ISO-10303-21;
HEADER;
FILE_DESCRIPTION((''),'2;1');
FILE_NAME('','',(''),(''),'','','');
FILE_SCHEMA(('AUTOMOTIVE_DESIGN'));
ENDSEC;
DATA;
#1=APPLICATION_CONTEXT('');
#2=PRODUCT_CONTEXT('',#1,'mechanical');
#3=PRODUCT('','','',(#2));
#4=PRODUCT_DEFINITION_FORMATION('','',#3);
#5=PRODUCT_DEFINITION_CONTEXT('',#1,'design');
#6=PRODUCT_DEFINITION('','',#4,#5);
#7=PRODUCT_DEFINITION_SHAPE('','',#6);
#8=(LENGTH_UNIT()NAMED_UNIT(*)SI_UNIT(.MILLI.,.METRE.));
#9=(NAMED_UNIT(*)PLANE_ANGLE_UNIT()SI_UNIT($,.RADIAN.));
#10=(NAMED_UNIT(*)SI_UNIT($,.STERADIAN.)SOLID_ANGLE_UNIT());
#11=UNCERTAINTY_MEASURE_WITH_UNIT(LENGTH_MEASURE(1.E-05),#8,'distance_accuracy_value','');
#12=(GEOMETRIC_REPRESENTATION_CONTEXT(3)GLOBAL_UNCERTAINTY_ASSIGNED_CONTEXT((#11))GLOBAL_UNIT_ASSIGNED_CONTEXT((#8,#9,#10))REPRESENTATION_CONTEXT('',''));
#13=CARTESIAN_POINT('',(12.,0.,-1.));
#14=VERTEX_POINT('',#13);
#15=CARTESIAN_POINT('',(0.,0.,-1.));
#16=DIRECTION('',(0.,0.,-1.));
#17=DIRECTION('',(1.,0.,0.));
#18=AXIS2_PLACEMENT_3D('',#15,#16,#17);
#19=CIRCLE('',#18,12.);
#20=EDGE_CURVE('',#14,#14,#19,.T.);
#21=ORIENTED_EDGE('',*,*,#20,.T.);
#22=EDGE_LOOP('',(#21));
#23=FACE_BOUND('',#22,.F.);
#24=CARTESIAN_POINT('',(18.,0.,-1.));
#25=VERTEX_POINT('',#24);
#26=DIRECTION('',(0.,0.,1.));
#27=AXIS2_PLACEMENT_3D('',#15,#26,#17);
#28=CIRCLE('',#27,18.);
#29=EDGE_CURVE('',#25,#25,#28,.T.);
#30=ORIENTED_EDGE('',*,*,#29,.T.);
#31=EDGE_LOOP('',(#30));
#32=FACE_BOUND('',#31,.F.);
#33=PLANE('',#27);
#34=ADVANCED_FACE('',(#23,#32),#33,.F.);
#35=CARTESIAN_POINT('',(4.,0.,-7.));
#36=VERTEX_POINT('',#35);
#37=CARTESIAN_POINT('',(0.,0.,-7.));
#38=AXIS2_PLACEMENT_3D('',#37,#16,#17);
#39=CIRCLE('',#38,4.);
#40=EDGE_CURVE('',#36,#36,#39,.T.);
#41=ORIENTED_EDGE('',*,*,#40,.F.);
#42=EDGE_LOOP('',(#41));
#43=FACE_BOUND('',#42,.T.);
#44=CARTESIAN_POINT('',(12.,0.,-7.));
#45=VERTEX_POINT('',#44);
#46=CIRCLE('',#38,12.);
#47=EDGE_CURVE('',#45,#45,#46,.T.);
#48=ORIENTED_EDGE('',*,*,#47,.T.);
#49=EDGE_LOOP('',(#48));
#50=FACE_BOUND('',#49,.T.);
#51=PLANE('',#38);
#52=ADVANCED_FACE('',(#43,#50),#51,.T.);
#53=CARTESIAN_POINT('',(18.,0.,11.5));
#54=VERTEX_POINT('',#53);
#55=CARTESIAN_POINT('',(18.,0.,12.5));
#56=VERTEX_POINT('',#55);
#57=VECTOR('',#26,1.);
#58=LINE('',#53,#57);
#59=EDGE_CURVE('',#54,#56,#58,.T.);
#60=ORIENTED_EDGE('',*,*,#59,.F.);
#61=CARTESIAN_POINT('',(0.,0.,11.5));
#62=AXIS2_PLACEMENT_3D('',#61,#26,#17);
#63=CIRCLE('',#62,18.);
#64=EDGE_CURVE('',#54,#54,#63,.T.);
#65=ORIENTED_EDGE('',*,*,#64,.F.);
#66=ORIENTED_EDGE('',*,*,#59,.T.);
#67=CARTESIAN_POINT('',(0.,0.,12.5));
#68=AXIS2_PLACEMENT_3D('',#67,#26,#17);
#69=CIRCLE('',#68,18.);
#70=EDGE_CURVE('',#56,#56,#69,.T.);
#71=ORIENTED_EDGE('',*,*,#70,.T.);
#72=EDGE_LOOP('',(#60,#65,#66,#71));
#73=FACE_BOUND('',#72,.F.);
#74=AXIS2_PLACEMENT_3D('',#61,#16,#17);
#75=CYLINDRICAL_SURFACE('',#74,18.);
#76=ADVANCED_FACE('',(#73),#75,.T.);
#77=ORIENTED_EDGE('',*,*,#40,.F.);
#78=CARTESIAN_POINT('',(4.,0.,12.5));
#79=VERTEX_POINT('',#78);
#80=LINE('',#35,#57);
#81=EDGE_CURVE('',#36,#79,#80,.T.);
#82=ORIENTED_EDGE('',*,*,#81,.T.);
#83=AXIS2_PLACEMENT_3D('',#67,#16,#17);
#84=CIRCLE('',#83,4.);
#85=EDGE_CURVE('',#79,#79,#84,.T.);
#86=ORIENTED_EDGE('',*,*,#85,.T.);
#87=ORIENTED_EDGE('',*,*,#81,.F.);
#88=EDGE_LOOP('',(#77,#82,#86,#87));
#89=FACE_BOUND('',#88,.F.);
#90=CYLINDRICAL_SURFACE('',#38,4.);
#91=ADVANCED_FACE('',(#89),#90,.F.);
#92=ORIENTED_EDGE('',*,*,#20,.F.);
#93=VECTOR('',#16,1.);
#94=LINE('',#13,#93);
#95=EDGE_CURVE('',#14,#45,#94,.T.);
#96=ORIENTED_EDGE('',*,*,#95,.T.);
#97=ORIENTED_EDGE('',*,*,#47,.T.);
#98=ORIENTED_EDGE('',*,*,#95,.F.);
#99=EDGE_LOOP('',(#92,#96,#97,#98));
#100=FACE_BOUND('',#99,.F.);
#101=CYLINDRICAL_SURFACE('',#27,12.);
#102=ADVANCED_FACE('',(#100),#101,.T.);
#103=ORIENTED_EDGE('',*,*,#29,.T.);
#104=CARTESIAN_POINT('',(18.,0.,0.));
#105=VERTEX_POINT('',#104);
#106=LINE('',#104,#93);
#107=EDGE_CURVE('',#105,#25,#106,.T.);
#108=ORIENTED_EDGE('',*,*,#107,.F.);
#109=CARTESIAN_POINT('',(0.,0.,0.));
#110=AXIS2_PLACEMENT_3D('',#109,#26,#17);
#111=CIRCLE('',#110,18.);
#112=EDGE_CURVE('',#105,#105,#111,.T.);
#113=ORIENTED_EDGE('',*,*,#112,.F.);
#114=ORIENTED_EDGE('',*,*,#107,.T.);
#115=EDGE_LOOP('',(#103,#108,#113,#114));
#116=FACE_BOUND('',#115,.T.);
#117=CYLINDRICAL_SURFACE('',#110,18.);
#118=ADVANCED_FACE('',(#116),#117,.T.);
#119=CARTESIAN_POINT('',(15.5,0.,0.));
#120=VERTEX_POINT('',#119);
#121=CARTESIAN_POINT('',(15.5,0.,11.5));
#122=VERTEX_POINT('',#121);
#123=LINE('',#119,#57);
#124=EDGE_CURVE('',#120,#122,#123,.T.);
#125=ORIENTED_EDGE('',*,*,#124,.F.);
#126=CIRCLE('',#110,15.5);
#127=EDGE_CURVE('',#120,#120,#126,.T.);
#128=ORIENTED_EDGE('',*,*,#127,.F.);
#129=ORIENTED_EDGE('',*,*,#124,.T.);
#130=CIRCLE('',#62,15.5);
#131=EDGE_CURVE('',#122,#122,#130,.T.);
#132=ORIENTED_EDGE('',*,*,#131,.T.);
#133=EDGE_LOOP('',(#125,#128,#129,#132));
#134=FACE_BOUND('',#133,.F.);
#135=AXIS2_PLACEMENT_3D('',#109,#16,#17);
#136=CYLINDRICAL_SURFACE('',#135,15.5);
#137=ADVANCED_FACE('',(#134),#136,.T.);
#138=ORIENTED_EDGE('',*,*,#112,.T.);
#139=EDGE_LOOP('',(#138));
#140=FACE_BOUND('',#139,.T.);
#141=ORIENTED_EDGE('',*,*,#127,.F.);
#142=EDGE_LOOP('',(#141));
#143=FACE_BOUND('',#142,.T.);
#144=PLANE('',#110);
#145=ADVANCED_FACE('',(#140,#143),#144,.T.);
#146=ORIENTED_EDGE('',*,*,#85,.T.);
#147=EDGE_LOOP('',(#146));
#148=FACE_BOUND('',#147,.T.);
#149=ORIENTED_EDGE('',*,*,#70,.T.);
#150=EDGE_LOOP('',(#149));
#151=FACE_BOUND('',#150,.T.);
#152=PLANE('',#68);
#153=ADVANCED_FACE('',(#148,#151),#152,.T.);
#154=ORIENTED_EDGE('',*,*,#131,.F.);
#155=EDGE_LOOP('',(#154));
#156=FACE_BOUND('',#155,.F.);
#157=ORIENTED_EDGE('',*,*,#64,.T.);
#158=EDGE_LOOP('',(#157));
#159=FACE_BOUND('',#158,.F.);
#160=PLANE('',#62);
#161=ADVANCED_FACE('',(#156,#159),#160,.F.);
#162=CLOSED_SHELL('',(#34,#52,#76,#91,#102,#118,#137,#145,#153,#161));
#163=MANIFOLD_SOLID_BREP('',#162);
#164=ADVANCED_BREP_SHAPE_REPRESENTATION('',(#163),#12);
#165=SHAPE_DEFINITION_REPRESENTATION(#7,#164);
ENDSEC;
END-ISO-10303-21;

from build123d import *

# Parameters (mm, degrees)
F0_R     = 15.5
F1_DEPTH = 11.5
F2_R     = 18
F3_DEPTH = 1
F4_R     = 18
F5_DEPTH = 1
F6_R     = 12
F7_DEPTH = 6
F8_R     = 4
F9_DEPTH = 19.501


with BuildPart() as f1:
    # F0 (on Top) → F1 (new body)
    with BuildSketch(Plane.XY):
        Circle(F0_R)
    extrude(amount=F1_DEPTH)

    # F2 (on face) → F3 (join)
    with BuildSketch(Plane.XY.offset(11.5)):
        Circle(F2_R)
    extrude(amount=F3_DEPTH)

    # F4 (on Top) → F5 (join)
    with BuildSketch(Plane.XY):
        Circle(F4_R)
    extrude(amount=-F5_DEPTH)

    # F6 (on face) → F7 (join)
    with BuildSketch(Plane(origin=(0, 0, -1), x_dir=(1, 0, 0), z_dir=(0, 0, -1))):
        Circle(F6_R)
    extrude(amount=F7_DEPTH)

    # F8 (on face) → F9 (cut, through all)
    with BuildSketch(Plane(origin=(0, 0, -7), x_dir=(1, 0, 0), z_dir=(0, 0, -1))):
        Circle(F8_R)
    extrude(amount=-F9_DEPTH, mode=Mode.SUBTRACT)


solid = f1.part
